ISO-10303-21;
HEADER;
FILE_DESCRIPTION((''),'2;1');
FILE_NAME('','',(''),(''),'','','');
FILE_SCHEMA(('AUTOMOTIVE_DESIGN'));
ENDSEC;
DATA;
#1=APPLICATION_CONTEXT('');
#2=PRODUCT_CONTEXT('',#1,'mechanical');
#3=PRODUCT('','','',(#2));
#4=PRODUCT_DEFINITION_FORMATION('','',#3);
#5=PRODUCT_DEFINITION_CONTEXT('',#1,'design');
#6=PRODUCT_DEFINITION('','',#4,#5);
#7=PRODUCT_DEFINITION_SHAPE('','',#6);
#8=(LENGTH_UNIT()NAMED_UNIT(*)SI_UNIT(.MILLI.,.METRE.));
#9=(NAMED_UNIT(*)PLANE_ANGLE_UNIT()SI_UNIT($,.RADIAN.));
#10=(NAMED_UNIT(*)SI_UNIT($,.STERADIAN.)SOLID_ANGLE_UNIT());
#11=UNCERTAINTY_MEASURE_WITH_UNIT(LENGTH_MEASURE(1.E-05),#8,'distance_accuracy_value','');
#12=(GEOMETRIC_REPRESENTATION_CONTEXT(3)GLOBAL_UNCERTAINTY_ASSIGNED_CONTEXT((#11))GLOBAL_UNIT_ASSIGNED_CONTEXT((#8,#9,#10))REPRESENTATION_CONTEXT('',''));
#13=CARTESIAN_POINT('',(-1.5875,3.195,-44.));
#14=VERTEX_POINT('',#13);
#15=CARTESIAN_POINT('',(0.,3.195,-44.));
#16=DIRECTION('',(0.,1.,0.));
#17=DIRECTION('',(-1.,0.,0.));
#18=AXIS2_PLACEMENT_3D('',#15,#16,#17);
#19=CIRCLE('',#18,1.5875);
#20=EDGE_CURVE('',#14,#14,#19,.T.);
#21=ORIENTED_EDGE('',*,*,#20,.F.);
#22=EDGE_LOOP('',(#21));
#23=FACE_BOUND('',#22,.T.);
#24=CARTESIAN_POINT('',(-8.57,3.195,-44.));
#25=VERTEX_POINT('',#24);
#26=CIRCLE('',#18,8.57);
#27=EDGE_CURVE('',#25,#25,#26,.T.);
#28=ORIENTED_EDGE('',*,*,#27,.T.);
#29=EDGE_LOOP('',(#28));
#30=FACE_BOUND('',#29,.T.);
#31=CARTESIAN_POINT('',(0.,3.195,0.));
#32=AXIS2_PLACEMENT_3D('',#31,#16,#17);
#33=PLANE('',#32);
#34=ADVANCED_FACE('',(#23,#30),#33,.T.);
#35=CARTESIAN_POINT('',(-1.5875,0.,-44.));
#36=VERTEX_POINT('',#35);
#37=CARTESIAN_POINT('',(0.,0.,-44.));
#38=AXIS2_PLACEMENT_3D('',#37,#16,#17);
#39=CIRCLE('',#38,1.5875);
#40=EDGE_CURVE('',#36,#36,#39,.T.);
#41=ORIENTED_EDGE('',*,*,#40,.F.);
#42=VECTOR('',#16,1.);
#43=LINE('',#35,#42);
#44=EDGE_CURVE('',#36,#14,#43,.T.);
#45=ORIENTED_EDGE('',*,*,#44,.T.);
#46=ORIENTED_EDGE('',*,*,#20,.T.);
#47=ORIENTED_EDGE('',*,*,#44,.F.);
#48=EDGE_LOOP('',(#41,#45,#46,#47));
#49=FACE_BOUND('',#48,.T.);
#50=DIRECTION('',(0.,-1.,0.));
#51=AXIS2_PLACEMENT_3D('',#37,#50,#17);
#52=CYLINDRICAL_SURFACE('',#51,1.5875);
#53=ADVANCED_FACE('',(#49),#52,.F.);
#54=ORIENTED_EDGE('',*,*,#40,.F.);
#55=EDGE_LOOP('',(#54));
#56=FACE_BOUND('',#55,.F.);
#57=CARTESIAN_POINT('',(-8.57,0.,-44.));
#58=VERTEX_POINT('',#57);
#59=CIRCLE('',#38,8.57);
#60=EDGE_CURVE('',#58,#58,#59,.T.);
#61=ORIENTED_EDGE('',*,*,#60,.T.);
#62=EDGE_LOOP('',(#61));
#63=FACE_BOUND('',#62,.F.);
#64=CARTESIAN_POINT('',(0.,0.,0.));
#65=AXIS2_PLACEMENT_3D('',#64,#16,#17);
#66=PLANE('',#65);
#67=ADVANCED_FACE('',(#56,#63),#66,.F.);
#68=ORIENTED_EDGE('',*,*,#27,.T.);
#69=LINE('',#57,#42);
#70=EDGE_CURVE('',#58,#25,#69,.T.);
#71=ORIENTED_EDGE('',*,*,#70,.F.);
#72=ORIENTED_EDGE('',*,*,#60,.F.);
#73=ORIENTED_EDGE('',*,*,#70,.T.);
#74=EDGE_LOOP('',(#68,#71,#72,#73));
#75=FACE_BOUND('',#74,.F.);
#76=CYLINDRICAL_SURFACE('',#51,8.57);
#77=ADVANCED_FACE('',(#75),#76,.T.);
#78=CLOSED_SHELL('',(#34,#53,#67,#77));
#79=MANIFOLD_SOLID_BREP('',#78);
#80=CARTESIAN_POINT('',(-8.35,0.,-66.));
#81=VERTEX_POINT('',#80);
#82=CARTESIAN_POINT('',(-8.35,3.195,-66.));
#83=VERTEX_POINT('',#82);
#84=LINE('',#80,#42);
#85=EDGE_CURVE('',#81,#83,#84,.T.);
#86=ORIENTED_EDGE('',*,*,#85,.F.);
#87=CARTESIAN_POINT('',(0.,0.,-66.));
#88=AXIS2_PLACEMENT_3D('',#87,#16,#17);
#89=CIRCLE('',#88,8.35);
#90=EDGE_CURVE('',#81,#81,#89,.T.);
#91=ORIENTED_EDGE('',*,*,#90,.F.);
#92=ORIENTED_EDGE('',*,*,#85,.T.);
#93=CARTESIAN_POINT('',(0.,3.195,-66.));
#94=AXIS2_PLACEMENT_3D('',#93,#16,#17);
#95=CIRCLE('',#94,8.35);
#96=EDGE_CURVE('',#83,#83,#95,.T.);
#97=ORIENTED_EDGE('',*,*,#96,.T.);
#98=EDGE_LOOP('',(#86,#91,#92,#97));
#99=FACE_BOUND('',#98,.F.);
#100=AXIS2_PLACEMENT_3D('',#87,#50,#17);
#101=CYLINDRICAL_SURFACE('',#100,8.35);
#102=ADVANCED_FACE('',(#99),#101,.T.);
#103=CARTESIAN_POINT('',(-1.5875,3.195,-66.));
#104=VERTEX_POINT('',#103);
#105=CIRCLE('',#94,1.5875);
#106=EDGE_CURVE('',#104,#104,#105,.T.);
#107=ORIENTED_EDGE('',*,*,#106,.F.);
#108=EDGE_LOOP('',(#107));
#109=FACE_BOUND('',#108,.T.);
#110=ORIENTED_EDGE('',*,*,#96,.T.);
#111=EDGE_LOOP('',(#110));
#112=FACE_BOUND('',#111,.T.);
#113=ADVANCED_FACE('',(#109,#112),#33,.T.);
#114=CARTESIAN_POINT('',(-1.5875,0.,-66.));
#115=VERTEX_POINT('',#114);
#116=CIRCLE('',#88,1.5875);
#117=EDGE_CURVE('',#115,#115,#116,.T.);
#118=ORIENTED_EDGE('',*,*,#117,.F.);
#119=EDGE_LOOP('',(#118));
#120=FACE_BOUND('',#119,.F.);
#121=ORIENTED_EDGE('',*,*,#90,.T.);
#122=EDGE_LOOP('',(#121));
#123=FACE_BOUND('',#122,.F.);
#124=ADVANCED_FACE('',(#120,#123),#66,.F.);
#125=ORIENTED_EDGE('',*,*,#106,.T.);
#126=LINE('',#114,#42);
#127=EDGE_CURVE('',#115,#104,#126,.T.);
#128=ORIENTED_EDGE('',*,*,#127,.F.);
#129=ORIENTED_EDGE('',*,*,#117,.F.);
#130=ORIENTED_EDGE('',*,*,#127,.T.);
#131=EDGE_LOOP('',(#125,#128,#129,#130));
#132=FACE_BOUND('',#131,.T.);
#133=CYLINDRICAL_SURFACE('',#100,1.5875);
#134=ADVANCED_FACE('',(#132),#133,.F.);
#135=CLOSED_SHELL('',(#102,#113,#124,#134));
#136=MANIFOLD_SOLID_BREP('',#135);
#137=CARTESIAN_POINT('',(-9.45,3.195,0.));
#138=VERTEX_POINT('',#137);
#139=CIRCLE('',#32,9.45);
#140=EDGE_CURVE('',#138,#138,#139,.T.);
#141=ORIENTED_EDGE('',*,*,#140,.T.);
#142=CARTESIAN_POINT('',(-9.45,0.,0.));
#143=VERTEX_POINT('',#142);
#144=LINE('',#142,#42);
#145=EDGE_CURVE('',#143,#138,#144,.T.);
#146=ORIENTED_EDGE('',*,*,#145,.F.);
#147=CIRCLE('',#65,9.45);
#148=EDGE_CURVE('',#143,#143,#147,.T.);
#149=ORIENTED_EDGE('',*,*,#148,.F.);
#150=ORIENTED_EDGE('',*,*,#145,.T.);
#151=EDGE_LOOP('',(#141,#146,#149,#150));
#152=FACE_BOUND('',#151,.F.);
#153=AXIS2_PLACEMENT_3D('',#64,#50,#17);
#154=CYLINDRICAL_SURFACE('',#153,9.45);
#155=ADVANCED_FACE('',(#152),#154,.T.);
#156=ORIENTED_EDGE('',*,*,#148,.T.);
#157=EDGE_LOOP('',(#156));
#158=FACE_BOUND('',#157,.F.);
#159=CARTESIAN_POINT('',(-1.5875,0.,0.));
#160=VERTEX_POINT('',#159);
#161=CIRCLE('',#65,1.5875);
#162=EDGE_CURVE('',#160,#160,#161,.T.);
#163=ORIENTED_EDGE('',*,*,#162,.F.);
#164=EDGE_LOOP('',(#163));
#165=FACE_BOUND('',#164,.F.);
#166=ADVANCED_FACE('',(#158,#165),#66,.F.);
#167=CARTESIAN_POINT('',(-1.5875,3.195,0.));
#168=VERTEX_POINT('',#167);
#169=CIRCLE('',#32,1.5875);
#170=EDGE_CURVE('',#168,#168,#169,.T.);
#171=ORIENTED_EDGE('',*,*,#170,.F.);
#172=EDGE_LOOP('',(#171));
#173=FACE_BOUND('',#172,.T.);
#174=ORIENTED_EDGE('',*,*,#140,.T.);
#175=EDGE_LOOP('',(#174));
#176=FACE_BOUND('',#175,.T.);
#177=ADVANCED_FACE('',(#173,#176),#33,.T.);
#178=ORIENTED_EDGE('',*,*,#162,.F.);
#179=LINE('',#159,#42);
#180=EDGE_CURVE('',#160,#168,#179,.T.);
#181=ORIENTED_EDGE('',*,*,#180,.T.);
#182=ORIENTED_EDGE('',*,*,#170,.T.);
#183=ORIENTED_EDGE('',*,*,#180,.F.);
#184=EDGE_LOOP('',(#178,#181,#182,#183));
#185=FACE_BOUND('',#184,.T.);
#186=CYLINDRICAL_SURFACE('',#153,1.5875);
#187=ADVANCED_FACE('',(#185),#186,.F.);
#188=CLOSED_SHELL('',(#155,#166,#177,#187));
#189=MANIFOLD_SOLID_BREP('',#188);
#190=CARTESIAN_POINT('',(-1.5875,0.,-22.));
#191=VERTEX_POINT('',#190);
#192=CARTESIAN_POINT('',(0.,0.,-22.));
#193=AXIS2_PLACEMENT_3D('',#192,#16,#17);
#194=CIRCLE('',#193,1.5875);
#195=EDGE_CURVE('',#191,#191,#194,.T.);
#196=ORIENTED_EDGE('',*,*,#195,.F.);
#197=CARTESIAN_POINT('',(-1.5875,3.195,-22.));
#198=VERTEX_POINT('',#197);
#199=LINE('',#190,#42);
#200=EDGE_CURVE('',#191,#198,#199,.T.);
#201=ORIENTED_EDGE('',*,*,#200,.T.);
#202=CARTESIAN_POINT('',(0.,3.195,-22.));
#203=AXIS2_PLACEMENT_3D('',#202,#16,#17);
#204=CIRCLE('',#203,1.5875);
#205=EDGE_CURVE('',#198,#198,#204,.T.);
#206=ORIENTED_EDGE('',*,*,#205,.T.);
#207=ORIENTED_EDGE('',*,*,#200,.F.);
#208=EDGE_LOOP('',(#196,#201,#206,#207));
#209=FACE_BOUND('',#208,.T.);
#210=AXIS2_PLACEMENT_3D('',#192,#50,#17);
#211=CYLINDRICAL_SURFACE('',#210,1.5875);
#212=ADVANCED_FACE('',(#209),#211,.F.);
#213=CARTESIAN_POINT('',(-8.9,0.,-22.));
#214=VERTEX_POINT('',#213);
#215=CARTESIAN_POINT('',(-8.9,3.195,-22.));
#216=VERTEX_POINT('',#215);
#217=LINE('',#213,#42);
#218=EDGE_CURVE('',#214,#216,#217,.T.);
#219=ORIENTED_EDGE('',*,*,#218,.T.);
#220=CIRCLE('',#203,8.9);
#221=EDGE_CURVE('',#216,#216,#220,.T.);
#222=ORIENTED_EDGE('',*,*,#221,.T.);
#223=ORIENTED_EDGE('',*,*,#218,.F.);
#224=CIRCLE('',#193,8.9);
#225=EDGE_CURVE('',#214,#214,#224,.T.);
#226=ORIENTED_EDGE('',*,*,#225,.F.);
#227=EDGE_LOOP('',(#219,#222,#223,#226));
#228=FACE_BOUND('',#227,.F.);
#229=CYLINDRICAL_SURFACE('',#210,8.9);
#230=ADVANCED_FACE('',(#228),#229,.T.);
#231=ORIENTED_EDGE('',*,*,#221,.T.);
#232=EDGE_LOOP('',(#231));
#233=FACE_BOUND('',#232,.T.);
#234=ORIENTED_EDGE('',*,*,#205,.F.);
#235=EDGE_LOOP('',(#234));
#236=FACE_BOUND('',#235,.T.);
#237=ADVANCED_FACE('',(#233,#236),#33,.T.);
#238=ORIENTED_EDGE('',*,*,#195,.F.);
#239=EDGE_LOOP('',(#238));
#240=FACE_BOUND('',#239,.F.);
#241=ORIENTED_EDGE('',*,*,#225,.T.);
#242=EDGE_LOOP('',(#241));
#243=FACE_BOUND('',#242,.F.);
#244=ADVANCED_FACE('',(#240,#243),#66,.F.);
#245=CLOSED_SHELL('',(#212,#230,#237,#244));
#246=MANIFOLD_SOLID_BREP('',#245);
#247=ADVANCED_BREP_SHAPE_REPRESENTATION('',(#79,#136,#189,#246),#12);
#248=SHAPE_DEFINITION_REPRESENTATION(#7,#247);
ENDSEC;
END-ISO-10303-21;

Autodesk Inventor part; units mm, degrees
ref_plane "YZ Plane" through (0, 0, 0) normal (1, 0, 0) x (0, 1, 0)
ref_plane "XZ Plane" through (0, 0, 0) normal (0, 1, 0) x (-1, 0, 0)
ref_plane "XY Plane" through (0, 0, 0) normal (0, 0, 1) x (1, 0, 0)
sketch "Sketch1" plane through (0, 0, 0) normal (0, 1, 0) x (-1, 0, 0)
  circle A0 centre (0, 0) radius 1.5875
  circle A1 centre (0, 0) radius 9.45
  circle A2 centre (0, -22) radius 1.5875
  circle A3 centre (0, -22) radius 8.9
  circle A4 centre (0, -44) radius 1.5875
  circle A5 centre (0, -44) radius 8.57
  circle A6 centre (0, -66) radius 1.5875
  circle A7 centre (0, -66) radius 8.35
  dimension "d19" = 3.175
  dimension "d20" = 18.9
  dimension "d21" = 3.175
  dimension "d22" = 17.8
  dimension "d24" = 3.175
  dimension "d25" = 17.14
  dimension "d27" = 3.175
  dimension "d28" = 16.7
  dimension "d30" = 22
  dimension "d31" = 22
  dimension "d32" = 22
extrude "Extrusion1" add sketch "Sketch1" along normal blind 3.195
equation "\"d33\" = 0.5 * WoodThickness"
equation "\"WoodThickness\" = 6.39"
properties part number "BearingSilicone_Spacer_3mm"
